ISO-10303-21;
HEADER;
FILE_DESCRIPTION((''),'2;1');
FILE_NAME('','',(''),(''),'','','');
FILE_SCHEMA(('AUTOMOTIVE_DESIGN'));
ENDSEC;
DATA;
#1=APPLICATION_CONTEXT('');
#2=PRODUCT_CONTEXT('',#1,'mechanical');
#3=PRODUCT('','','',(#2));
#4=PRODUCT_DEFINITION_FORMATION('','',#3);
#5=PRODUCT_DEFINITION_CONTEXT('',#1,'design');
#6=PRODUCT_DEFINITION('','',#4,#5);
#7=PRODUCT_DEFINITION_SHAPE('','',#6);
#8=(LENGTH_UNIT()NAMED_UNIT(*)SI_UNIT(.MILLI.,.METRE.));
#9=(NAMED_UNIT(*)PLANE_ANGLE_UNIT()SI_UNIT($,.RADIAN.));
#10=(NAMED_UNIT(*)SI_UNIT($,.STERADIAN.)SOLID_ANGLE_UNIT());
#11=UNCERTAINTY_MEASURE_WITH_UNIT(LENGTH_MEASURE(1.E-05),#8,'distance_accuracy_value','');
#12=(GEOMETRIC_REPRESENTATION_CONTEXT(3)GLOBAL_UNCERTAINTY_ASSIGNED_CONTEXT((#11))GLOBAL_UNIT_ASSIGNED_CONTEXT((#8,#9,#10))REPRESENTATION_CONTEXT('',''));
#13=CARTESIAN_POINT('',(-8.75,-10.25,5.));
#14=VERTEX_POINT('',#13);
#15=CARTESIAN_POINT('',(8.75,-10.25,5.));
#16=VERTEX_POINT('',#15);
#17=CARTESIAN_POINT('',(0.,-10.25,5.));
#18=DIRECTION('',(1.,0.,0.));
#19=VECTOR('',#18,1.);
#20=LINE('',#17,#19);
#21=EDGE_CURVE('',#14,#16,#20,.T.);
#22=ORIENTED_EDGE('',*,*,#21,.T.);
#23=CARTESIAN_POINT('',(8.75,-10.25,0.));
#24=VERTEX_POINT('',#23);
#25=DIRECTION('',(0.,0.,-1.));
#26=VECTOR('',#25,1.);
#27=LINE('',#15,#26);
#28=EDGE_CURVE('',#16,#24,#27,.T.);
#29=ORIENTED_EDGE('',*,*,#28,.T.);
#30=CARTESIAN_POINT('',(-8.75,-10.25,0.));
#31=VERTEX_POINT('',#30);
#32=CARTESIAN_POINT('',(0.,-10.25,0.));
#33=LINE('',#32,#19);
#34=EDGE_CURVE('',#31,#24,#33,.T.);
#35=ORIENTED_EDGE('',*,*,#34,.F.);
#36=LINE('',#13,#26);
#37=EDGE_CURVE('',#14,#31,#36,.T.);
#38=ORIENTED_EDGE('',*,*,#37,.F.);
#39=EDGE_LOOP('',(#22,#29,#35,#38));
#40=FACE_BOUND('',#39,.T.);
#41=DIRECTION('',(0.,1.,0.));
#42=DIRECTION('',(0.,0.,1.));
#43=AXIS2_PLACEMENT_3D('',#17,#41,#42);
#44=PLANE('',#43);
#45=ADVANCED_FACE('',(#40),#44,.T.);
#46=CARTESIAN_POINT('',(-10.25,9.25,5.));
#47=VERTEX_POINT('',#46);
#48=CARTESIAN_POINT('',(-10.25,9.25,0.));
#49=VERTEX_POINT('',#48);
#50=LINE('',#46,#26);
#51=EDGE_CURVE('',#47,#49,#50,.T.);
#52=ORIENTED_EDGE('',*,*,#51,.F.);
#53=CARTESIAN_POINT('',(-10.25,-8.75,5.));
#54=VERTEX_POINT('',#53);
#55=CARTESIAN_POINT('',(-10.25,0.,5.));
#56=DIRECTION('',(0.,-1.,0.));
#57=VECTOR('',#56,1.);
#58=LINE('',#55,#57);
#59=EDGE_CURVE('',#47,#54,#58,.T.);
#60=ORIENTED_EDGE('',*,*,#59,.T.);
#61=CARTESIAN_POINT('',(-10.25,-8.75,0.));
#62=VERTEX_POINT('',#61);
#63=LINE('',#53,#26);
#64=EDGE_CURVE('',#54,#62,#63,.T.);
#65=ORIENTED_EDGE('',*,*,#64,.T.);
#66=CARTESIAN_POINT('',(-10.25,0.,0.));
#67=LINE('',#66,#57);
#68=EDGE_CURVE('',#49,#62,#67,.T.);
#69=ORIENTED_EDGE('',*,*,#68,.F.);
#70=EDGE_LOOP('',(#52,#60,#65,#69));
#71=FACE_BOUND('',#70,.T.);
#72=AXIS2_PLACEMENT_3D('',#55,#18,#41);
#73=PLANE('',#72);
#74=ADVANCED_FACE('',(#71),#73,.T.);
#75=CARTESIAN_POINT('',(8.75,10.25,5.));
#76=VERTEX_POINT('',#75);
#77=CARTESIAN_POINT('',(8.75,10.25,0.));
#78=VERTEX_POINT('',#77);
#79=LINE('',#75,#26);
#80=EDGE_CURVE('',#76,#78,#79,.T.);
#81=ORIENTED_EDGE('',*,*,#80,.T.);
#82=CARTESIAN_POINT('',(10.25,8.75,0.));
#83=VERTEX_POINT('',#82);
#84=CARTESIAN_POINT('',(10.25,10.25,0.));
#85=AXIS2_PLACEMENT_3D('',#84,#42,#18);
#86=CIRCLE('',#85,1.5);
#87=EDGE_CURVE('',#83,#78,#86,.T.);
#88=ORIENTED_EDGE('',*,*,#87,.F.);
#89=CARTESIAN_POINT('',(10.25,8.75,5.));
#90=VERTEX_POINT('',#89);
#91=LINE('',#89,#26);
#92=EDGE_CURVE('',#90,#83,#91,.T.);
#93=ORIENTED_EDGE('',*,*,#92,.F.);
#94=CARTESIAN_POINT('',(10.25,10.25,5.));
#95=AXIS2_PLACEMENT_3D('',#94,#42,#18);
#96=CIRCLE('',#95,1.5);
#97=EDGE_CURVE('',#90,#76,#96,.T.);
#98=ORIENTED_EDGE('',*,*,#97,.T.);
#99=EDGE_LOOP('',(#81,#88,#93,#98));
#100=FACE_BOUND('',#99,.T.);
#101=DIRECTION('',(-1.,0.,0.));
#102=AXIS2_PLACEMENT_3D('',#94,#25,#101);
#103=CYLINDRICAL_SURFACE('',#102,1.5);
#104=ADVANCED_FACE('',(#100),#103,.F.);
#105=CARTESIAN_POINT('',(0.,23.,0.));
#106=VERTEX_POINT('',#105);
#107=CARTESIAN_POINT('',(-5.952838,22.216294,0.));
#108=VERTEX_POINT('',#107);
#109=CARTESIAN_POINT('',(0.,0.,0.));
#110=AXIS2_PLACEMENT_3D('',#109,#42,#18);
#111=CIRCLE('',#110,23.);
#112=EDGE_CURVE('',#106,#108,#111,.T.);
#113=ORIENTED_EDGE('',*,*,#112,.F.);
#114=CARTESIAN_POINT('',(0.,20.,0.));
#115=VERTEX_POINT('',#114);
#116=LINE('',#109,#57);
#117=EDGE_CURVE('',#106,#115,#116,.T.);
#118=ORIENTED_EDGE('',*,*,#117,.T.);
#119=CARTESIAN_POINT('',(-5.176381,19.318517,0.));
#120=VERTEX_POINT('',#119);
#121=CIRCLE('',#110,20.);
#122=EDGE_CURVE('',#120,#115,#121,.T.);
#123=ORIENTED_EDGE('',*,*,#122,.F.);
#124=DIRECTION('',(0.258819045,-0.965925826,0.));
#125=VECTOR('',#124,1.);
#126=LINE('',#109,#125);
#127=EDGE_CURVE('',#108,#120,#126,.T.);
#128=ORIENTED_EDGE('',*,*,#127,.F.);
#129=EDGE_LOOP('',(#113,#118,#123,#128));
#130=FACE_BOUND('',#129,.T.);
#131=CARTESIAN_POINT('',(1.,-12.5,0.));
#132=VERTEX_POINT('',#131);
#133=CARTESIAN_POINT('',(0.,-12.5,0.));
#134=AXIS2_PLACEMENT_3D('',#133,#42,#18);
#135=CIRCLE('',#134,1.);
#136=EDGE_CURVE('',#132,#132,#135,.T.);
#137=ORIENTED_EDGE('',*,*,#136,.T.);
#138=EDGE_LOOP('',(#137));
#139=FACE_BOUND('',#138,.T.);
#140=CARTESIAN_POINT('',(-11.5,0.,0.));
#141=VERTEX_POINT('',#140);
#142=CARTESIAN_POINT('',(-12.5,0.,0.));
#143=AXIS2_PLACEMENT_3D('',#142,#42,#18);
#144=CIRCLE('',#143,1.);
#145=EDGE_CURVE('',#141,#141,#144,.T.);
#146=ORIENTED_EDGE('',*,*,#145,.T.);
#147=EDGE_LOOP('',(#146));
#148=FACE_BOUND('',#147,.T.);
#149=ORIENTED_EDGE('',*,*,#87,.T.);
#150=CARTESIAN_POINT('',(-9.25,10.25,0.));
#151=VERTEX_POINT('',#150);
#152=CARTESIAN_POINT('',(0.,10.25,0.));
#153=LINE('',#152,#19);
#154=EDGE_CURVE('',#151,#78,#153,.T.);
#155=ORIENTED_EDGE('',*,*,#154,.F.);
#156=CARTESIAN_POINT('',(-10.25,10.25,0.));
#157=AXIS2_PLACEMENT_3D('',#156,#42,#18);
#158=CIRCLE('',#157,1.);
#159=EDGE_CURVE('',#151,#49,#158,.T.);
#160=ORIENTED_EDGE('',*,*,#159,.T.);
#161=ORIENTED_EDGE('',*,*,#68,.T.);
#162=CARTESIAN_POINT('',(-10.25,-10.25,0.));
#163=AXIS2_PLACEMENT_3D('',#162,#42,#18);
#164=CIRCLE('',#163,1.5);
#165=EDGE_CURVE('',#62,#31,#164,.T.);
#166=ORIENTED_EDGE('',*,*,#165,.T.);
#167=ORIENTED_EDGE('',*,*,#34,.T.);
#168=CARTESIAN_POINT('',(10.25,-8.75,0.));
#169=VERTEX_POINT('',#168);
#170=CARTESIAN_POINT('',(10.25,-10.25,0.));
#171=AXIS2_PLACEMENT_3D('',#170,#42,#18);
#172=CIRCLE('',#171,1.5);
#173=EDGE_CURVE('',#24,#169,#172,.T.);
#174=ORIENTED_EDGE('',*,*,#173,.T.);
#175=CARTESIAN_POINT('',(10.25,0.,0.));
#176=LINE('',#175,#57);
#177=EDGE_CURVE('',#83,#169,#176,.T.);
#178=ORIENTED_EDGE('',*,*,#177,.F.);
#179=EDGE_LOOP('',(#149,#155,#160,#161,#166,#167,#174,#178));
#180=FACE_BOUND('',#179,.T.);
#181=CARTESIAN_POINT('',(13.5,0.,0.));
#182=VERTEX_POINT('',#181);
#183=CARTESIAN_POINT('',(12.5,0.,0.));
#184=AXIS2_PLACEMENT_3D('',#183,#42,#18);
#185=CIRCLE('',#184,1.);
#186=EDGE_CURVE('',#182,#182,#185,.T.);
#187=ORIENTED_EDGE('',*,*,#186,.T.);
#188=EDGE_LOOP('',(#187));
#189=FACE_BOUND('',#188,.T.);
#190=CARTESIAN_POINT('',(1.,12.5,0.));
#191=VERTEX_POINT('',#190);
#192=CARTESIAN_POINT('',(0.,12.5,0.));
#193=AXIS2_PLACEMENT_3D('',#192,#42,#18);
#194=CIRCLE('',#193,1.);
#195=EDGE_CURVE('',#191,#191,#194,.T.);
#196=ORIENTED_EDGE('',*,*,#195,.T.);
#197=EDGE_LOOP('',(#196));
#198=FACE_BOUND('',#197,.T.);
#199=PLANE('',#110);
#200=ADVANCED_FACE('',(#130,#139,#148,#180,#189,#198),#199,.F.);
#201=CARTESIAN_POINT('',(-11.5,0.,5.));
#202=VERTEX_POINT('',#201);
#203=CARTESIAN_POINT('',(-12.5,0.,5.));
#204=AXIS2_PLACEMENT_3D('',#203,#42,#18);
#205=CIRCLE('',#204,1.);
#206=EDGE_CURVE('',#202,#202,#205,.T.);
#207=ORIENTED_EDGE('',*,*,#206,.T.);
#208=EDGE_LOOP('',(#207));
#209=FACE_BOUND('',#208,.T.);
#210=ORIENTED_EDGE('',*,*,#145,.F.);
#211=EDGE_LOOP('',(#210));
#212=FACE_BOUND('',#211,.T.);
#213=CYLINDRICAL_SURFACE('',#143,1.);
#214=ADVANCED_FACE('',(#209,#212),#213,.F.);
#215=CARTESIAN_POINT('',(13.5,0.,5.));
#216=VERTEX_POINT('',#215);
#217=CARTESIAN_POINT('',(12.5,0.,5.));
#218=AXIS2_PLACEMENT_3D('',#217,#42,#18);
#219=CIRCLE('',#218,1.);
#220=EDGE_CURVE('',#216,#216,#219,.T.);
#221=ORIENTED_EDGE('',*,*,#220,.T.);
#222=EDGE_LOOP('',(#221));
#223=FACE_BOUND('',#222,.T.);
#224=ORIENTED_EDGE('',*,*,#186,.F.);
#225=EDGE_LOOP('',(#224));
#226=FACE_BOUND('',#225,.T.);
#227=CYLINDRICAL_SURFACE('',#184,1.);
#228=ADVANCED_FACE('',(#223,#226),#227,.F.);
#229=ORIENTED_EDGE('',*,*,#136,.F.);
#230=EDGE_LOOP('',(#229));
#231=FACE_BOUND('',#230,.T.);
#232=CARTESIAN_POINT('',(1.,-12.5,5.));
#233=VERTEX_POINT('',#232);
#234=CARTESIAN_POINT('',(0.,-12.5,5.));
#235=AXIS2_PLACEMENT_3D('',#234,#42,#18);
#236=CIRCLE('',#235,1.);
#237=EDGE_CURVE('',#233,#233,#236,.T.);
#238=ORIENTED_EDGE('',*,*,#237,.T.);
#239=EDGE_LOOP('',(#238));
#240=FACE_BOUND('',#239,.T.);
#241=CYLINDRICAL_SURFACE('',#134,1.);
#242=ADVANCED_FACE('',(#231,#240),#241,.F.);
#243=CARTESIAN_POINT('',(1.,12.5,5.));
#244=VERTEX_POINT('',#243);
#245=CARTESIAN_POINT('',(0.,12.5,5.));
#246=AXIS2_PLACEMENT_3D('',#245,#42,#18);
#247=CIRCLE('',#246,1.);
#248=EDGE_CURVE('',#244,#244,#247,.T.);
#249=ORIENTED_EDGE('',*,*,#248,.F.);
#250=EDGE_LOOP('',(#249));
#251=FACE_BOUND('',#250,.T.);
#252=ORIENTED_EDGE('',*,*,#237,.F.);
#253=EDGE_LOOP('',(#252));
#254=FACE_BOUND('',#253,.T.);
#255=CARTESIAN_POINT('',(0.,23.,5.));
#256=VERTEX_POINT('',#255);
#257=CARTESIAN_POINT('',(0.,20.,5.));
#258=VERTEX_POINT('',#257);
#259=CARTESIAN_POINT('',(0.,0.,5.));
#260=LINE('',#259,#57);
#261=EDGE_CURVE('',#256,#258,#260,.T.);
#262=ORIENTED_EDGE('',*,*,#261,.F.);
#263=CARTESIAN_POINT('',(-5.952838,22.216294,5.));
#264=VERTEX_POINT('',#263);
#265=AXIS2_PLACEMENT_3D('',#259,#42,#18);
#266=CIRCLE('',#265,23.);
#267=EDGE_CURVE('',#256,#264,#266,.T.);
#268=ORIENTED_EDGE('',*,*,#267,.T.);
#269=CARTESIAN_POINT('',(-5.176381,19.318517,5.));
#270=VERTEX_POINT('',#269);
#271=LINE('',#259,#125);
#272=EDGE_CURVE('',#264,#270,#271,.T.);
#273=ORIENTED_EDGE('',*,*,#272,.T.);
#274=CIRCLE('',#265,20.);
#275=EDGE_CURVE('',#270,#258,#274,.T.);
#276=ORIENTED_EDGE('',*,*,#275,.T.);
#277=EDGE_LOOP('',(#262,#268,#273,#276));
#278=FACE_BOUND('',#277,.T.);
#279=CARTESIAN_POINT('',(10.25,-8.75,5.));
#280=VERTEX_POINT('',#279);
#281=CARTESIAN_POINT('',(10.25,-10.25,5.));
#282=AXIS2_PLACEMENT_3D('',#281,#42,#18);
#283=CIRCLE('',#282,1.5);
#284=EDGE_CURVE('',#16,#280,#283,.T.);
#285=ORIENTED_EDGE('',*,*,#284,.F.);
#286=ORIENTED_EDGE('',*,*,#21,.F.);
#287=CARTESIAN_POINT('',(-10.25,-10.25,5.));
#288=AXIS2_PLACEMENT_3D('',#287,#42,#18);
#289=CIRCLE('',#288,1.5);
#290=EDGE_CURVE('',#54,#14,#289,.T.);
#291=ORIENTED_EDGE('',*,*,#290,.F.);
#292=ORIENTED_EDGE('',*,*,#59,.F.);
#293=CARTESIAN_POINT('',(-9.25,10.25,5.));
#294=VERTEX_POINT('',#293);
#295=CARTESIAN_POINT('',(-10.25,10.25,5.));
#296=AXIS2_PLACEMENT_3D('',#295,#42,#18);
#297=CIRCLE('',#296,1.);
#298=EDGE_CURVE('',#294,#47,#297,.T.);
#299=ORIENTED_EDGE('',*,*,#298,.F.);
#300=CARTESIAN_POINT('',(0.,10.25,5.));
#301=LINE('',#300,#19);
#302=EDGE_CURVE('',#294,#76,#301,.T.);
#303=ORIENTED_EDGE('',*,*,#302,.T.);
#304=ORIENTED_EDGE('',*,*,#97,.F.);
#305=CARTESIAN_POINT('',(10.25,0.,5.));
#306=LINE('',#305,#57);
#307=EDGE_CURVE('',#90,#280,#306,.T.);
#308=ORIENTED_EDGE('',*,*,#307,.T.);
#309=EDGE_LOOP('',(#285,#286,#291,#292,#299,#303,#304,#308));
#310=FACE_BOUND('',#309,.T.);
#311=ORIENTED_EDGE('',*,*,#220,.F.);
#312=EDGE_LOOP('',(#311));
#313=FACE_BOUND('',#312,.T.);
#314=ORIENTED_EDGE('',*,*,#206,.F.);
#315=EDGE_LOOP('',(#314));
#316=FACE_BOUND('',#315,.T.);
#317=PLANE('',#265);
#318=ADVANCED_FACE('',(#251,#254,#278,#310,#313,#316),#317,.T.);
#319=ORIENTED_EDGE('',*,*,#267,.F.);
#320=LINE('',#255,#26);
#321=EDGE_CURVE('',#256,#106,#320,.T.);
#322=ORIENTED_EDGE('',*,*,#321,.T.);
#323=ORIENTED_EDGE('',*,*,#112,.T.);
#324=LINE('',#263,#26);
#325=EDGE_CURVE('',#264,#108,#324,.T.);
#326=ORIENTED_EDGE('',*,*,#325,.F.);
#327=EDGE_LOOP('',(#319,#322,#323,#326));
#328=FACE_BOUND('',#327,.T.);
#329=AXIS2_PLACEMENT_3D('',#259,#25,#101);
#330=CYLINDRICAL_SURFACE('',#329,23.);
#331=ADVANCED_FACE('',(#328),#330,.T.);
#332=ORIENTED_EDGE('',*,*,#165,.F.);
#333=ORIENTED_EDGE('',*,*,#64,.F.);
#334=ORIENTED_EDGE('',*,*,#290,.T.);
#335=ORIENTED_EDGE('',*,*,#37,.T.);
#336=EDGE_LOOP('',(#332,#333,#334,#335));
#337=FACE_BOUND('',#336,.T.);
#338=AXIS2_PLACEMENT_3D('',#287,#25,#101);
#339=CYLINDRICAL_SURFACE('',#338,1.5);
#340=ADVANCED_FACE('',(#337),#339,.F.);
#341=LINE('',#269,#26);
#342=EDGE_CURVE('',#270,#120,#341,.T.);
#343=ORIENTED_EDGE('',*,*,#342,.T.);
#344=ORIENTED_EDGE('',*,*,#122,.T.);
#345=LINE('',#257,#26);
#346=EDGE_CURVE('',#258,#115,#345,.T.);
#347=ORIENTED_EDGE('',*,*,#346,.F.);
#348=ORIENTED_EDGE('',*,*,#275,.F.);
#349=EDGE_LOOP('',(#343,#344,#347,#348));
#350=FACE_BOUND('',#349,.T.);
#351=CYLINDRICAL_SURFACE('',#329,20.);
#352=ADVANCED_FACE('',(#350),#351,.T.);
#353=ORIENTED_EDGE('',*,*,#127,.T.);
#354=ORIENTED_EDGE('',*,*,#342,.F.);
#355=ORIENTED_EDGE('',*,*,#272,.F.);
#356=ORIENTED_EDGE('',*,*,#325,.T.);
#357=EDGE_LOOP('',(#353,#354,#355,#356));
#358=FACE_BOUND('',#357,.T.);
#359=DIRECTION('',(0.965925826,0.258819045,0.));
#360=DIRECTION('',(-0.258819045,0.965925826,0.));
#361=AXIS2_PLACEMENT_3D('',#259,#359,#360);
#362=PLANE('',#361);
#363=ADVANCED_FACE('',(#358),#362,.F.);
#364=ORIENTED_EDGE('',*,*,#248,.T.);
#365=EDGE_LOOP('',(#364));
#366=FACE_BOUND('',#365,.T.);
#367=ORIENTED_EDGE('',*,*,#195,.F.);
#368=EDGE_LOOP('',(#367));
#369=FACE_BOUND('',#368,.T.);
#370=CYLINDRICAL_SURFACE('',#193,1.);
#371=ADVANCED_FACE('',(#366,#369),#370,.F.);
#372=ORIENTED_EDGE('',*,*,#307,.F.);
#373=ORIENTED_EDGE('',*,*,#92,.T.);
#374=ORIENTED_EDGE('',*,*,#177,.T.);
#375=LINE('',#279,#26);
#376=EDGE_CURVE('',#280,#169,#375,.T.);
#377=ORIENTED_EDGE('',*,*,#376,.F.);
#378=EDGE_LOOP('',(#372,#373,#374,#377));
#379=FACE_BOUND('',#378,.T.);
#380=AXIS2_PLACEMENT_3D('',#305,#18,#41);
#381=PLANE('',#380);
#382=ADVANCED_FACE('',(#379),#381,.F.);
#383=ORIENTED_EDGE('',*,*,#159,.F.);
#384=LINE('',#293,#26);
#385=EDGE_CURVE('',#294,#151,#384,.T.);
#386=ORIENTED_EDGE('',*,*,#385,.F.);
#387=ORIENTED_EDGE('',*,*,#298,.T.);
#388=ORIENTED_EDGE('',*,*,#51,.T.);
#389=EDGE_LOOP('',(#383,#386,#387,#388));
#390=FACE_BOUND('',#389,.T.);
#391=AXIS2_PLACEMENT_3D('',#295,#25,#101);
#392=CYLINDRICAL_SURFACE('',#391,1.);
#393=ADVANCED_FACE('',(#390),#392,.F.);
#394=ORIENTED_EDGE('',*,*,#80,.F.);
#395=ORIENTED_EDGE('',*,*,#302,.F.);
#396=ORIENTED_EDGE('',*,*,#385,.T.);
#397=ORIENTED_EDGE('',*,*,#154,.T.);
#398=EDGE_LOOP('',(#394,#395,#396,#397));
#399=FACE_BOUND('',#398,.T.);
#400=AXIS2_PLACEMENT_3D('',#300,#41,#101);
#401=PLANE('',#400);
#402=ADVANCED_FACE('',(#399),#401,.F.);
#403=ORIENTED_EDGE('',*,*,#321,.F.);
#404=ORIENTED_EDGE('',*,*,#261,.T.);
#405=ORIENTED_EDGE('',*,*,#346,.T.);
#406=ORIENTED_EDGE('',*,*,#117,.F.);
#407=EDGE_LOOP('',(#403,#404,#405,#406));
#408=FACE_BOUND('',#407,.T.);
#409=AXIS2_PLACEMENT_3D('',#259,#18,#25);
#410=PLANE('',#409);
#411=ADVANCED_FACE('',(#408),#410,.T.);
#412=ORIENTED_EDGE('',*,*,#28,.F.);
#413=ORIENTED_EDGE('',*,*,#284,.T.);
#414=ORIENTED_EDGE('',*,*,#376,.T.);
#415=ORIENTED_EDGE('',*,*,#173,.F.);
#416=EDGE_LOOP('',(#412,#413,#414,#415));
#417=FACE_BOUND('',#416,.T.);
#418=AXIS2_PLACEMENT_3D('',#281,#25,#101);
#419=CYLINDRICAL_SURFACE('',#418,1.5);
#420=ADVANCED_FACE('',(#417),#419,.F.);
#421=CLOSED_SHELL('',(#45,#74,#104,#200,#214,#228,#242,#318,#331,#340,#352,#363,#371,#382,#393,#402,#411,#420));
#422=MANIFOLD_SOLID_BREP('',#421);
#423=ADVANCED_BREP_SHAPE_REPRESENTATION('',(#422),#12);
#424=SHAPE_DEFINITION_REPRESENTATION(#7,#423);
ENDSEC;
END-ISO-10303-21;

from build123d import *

# Parameters (mm, degrees)
EXTRUDE_1_DEPTH     = 5
SKETCH_2_R          = 1
CUT_EXTRUDE_1_DEPTH = 5


with BuildPart() as part:
    # 草图1 → 凸台-拉伸1 (new body)
    with BuildSketch(Plane.XY):
        with BuildLine():
            ThreePointArc((0, 23), (-3.002102421, 22.803231812), (-5.952838037, 22.216294005))
            Line((-5.952838037, 22.216294005), (-5.176380902, 19.318516526))
            ThreePointArc((-5.176380902, 19.318516526), (2.610523844, -19.828897227), (0, 20))
            Line((0, 20), (0, 23))
        make_face()
        with BuildLine():
            Line((-9.25, 10.25), (8.75, 10.25))
            ThreePointArc((8.75, 10.25), (11.310660172, 11.310660172), (10.25, 8.75))
            Line((10.25, 8.75), (10.25, -8.75))
            ThreePointArc((10.25, -8.75), (11.310660172, -11.310660172), (8.75, -10.25))
            Line((8.75, -10.25), (-8.75, -10.25))
            ThreePointArc((-8.75, -10.25), (-11.310660172, -11.310660172), (-10.25, -8.75))
            Line((-10.25, -8.75), (-10.25, 9.25))
            ThreePointArc((-10.25, 9.25), (-10.957106781, 10.957106781), (-9.25, 10.25))
        make_face(mode=Mode.SUBTRACT)
    extrude(amount=EXTRUDE_1_DEPTH)

    # 草图2 → 切除-拉伸1 (cut)
    with BuildSketch(Plane.XY.offset(5)):
        with Locations((0, 12.5)):
            Circle(SKETCH_2_R)
        with Locations((12.5, 0)):
            Circle(SKETCH_2_R)
        with Locations((0, -12.5)):
            Circle(SKETCH_2_R)
        with Locations((-12.5, 0)):
            Circle(SKETCH_2_R)
    extrude(amount=-CUT_EXTRUDE_1_DEPTH, mode=Mode.SUBTRACT)


solid = part.part
